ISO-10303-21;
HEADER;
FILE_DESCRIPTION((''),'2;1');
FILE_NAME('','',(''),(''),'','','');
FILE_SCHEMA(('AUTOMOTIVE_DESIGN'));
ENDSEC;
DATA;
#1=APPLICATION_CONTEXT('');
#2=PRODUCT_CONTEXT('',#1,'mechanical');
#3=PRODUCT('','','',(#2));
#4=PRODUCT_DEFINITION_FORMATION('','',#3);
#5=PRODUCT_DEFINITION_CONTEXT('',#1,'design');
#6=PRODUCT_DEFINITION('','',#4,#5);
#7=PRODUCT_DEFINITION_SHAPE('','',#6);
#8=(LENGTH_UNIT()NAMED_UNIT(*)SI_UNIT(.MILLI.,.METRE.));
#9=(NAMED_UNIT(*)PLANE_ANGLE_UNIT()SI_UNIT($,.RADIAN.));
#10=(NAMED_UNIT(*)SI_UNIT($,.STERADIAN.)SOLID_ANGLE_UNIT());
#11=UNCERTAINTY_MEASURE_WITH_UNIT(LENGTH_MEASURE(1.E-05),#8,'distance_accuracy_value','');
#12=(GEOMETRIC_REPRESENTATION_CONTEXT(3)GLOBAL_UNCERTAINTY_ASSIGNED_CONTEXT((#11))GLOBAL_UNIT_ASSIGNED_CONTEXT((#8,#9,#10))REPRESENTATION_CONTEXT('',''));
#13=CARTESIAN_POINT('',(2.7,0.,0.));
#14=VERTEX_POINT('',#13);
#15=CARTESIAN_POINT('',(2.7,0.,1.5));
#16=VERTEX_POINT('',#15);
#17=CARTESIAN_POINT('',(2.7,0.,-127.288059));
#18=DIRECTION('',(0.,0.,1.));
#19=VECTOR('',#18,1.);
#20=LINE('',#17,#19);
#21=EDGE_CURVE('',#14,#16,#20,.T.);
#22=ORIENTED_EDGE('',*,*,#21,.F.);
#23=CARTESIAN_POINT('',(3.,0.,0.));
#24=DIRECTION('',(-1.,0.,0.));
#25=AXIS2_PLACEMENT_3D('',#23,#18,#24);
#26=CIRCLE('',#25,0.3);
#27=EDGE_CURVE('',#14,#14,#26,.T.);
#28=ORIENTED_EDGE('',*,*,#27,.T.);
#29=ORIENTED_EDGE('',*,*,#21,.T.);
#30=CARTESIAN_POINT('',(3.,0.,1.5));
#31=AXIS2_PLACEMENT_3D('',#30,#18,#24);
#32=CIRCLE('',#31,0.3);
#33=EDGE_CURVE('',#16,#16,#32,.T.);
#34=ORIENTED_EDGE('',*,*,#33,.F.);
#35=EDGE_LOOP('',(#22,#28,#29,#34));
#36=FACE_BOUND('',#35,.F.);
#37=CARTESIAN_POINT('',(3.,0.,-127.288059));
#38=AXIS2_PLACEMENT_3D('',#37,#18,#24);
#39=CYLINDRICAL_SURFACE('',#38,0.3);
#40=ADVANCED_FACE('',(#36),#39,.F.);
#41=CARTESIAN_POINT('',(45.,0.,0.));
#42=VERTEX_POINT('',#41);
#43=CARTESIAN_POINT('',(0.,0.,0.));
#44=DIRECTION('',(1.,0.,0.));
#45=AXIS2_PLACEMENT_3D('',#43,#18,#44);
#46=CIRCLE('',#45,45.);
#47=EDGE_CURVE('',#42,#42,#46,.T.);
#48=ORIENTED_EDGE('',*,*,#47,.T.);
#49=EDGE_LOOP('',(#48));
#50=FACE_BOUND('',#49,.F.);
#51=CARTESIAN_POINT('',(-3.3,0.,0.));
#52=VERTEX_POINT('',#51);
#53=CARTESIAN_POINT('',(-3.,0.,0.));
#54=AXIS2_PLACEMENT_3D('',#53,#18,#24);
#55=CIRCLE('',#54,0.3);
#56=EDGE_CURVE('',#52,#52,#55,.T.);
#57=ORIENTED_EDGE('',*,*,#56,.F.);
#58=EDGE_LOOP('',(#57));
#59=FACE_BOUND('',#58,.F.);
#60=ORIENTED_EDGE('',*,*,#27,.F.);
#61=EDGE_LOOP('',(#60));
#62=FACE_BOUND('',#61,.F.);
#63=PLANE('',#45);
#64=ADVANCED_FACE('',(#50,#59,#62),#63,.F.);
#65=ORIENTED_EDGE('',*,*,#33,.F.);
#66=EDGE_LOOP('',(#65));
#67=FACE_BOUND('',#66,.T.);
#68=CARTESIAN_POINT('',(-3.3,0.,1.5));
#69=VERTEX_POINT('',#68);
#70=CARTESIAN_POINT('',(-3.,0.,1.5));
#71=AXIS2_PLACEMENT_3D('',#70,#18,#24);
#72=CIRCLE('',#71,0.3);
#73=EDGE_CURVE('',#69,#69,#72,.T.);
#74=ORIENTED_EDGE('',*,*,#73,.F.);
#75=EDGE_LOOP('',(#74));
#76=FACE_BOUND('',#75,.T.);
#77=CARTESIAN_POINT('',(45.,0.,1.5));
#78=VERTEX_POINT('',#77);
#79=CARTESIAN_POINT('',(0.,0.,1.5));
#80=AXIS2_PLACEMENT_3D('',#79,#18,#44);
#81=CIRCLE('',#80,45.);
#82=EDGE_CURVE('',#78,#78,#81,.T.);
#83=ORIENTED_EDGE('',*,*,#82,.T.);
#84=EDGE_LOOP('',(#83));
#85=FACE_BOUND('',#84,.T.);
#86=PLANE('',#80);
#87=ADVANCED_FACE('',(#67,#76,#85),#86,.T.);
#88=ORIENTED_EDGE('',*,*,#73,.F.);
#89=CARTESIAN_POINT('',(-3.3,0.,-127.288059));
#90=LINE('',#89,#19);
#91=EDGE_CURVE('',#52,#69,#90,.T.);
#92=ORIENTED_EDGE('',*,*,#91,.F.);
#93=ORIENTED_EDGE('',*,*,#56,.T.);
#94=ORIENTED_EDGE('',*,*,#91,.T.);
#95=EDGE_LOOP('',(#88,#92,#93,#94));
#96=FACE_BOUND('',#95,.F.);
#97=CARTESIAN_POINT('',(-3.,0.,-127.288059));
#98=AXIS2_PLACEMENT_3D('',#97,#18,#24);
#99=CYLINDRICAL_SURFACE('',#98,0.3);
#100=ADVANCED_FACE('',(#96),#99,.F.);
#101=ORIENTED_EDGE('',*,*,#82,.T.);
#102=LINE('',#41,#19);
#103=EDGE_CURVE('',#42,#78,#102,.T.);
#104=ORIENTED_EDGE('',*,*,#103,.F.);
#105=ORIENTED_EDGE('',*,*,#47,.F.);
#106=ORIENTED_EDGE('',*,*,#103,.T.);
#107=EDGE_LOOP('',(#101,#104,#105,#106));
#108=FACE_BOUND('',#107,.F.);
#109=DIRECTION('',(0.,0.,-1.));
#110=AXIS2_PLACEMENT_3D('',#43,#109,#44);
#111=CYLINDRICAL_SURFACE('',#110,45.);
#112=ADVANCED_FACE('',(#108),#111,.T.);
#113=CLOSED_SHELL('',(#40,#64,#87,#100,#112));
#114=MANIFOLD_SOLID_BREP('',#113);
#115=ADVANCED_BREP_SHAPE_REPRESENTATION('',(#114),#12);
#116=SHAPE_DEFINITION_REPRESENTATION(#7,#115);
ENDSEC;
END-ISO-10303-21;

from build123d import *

# Parameters (mm, degrees)
F0_R     = 45
F1_DEPTH = 1.5
F3_D     = 0.6


with BuildPart() as f1:
    # F0 (on Top) → F1 (new body)
    with BuildSketch(Plane.XY):
        Circle(F0_R)
    extrude(amount=F1_DEPTH)

    # F3 (through all)
    with Locations(Plane(origin=(0, 0, 0), x_dir=(1, 0, 0), z_dir=(0, 0, -1))):
        with Locations((-3, 0), (3, 0)):
            Hole(F3_D / 2)


solid = f1.part
